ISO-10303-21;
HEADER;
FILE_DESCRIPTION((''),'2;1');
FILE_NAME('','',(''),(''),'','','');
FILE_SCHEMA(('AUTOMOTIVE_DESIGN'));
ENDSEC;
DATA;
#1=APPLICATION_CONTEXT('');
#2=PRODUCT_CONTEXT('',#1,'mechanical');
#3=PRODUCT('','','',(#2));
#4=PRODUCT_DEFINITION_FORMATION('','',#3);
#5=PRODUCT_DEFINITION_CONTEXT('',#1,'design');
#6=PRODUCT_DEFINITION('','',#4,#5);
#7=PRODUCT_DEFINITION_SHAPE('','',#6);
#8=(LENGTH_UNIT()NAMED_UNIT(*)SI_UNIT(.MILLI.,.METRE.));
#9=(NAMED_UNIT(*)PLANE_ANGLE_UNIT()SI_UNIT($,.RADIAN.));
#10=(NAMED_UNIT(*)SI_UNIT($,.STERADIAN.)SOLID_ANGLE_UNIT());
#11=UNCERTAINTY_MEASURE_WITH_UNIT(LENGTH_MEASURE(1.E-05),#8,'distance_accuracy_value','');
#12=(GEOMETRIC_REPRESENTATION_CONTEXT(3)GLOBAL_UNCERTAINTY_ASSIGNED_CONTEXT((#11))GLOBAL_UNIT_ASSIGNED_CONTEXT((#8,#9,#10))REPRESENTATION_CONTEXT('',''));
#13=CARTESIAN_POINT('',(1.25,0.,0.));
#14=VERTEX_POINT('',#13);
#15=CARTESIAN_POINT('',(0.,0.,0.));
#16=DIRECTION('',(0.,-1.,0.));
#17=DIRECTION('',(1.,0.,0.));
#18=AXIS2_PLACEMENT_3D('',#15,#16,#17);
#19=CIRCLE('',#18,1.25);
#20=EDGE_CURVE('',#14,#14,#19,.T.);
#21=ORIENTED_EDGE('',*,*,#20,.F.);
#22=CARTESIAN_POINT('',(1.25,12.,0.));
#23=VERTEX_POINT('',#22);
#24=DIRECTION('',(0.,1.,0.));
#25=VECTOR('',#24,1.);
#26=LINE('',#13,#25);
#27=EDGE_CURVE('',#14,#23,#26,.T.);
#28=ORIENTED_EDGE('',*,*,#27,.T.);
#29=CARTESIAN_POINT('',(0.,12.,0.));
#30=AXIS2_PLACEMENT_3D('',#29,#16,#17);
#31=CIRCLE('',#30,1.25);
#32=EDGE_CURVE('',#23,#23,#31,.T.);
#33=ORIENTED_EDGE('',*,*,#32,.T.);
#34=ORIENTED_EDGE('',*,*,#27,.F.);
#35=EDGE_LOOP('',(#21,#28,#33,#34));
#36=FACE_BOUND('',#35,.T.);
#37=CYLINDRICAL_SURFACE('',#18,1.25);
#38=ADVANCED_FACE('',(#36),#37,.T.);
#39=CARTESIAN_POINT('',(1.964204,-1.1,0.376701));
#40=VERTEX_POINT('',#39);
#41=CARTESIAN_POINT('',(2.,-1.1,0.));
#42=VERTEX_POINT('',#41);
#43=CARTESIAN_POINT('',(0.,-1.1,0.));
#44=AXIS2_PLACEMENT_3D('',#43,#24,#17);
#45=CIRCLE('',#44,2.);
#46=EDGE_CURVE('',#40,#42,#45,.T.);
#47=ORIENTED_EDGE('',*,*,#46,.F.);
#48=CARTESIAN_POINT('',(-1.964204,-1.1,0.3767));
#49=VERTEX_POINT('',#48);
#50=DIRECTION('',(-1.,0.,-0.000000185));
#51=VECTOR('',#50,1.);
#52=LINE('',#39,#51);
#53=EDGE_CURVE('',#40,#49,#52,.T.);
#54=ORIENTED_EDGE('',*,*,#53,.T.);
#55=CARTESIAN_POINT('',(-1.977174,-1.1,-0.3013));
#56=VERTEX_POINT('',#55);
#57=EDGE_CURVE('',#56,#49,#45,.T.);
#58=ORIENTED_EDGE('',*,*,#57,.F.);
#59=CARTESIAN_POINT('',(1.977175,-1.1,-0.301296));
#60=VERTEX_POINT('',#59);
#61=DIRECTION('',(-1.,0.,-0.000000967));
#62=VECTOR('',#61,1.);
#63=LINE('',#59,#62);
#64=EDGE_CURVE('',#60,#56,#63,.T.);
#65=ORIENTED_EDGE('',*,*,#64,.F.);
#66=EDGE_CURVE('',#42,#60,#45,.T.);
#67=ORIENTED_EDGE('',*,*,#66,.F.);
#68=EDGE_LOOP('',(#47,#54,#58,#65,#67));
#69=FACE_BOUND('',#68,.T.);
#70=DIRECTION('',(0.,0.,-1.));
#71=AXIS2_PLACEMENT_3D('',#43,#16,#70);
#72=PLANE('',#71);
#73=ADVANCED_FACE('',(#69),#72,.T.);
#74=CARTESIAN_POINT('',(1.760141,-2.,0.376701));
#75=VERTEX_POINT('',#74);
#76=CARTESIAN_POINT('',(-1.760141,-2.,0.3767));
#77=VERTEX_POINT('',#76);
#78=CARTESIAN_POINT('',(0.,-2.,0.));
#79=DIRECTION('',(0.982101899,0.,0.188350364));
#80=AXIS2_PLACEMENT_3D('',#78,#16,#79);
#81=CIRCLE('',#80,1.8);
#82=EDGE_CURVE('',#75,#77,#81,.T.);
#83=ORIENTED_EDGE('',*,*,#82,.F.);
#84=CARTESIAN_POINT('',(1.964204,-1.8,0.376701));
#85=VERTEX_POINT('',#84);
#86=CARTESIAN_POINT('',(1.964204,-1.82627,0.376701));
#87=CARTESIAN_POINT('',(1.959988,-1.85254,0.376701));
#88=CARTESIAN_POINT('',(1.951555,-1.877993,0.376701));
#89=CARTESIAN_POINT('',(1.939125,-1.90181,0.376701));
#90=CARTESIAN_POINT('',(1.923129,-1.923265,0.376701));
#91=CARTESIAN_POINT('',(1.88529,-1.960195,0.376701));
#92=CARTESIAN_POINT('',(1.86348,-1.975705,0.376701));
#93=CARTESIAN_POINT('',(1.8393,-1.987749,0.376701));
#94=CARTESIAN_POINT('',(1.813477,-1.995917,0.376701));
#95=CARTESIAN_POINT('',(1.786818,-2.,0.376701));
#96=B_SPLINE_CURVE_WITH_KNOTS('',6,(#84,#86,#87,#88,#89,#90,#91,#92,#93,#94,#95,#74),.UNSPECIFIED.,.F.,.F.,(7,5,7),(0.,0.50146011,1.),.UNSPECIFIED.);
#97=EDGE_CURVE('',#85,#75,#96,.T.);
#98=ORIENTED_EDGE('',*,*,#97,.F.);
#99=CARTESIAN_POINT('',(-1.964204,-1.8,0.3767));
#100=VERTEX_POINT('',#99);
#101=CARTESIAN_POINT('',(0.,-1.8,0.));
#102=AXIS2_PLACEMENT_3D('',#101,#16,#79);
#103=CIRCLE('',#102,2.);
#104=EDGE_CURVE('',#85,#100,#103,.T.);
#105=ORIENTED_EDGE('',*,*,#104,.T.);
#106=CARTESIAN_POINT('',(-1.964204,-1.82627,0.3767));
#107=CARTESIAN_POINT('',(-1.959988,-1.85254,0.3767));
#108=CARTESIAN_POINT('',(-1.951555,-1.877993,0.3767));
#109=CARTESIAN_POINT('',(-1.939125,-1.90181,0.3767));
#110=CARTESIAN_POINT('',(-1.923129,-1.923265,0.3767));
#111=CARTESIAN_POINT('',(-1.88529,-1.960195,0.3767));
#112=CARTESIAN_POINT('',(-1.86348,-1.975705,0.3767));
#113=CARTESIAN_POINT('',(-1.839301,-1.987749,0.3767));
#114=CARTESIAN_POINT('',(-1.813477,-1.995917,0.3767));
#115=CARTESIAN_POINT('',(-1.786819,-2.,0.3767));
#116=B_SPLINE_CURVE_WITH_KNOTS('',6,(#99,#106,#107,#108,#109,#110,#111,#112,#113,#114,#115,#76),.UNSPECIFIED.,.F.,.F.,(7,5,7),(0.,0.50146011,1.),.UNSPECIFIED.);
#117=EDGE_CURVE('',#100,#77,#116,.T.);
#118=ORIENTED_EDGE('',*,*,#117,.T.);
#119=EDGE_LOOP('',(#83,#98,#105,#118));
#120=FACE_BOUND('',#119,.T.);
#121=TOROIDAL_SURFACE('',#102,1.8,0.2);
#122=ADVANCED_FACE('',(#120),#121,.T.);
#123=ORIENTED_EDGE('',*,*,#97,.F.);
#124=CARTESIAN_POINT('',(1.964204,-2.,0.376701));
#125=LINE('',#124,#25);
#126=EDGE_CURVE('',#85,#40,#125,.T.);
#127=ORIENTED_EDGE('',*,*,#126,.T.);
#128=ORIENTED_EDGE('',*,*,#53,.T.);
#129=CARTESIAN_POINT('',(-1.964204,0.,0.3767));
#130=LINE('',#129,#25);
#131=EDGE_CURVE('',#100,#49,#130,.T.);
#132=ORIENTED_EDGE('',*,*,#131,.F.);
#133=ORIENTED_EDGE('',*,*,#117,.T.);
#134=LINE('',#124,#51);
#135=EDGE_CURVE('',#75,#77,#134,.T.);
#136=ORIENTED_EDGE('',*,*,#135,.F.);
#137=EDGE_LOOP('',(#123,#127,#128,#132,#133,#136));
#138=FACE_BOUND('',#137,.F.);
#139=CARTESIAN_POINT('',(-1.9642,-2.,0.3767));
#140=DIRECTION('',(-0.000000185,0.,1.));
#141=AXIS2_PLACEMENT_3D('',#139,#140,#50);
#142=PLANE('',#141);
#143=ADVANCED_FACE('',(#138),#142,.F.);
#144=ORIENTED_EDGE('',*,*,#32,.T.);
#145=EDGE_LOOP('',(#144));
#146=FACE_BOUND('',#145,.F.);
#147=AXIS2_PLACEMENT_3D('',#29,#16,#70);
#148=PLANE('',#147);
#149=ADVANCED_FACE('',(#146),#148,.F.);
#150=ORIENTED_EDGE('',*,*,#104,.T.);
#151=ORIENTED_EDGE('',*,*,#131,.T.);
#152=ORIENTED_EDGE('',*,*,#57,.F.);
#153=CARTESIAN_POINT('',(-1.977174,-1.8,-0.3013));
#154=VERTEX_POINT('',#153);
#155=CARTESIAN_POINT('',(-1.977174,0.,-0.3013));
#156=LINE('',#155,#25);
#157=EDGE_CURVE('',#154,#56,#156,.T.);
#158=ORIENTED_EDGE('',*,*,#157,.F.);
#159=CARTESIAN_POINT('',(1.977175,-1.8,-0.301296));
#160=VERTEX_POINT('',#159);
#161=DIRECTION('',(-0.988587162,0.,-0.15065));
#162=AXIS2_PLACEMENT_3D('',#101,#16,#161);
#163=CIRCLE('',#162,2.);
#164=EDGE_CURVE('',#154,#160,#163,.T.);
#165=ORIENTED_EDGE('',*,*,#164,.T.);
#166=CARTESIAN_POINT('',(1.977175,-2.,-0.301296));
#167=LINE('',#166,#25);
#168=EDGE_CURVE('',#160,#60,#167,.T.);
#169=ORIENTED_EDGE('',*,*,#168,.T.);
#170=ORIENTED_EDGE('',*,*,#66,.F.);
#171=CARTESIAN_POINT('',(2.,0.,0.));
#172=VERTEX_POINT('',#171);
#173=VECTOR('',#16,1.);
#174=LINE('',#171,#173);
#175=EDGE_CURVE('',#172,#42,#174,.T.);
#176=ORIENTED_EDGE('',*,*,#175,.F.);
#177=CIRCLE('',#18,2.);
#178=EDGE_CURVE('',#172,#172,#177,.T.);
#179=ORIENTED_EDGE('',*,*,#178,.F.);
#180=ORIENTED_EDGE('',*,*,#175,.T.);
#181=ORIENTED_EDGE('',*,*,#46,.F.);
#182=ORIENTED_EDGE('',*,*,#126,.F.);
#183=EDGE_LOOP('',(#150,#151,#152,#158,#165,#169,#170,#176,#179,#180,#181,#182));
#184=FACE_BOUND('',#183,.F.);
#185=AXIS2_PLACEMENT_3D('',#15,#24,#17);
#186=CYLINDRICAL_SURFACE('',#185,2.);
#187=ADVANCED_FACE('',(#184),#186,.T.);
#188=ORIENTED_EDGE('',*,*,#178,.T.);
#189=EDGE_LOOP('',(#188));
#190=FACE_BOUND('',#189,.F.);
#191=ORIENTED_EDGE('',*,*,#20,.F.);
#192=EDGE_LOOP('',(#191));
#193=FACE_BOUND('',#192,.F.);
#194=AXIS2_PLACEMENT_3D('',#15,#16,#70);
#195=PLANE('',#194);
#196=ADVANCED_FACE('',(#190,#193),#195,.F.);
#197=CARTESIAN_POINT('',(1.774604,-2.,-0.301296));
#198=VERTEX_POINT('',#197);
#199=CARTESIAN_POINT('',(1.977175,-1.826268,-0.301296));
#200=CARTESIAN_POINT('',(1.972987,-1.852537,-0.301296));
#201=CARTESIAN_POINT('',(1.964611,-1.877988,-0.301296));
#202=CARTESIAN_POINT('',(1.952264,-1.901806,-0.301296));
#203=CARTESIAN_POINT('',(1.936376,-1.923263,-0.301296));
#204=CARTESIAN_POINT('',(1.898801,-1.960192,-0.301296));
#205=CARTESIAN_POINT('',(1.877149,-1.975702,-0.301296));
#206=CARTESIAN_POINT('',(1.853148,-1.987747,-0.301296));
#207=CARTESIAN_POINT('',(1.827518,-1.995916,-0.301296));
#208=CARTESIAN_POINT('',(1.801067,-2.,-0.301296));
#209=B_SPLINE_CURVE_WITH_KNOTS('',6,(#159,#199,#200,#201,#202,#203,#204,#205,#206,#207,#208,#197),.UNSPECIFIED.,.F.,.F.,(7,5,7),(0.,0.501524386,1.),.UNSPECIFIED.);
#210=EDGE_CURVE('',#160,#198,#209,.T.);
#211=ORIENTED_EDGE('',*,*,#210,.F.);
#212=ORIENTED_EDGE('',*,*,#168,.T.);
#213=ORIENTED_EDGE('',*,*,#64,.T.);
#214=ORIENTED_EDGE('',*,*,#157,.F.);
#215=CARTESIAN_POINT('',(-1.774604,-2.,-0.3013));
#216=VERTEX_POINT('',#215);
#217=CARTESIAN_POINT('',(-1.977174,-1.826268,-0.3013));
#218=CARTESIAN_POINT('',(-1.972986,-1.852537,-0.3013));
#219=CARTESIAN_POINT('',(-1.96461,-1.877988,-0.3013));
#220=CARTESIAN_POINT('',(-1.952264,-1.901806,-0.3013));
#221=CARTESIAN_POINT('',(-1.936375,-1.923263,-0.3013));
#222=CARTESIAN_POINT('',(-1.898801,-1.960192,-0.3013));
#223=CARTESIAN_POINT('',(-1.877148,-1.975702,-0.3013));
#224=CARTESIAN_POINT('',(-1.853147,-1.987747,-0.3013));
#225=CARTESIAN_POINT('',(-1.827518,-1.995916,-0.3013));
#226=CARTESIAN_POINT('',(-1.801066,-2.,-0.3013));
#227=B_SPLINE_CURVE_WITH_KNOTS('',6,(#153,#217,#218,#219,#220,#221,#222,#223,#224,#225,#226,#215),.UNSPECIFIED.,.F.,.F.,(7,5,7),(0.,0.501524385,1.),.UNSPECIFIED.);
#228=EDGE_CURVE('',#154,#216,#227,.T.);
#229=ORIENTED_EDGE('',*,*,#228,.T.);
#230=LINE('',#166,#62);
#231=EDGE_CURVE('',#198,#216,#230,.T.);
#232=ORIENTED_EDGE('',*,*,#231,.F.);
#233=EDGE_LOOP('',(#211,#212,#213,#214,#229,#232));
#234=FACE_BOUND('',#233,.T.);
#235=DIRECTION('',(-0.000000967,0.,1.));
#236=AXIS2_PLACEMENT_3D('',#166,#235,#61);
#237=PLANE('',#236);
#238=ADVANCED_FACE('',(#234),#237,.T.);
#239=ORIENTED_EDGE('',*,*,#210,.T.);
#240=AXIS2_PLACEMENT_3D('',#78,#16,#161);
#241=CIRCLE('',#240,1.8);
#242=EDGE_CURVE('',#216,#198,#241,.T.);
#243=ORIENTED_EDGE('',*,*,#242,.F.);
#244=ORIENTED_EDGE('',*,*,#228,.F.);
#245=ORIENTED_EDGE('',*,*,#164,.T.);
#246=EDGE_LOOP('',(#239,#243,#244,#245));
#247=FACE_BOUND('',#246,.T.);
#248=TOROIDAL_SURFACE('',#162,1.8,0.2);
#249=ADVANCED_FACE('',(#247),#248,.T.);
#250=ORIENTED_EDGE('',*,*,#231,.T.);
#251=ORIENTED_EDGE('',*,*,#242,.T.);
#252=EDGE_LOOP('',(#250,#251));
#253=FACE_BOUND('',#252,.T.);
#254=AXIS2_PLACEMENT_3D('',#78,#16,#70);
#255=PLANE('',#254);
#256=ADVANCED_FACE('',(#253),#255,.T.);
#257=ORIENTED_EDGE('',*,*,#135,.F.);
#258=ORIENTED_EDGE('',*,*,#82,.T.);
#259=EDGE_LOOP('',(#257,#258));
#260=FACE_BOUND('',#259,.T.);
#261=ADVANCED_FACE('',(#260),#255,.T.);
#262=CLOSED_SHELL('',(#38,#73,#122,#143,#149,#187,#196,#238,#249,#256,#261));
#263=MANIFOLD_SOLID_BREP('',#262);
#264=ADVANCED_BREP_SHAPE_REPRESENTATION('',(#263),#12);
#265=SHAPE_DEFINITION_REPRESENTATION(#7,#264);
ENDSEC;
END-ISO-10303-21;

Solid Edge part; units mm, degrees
sketch "Sketch1" plane through (0, 0, 0) normal (0, -1, 0) x (1, 0, 0)
  circle A0 centre (0, 0) radius 2
extrude "Protrusion1" add sketch "Sketch1" along normal blind 2
sketch "Sketch2" plane through (0, 0, 0) normal (0, -1, 0) x (1, 0, 0)
  circle A0 centre (0, 0) radius 1.25
extrude "ExtrudedProtrusion_2" add sketch "Sketch2" against normal blind 12
sketch "Sketch3" plane through (0, -2, 0) normal (0, -1, 0) x (1, 0, 0)
  line L0 (-1.9642, 0.3767) -> (1.9642, 0.3767)
  line L1 (1.9772, -0.3013) -> (-1.9772, -0.3013)
  arc A0 (1.9642, 0.3767) -> (1.9772, -0.3013) centre (0, 0) cw
extrude "ExtrudedCutout_1" cut sketch "Sketch3" against normal blind 0.9 material side at (0, -2, 0.3267)
cosmetic_thread "Thread1" size "M2.5"
fillet "Round_1" radius 0.2 2 edges at (0, -2, 2) (0, -2, -2)
properties material "Nylon, general purpose"
